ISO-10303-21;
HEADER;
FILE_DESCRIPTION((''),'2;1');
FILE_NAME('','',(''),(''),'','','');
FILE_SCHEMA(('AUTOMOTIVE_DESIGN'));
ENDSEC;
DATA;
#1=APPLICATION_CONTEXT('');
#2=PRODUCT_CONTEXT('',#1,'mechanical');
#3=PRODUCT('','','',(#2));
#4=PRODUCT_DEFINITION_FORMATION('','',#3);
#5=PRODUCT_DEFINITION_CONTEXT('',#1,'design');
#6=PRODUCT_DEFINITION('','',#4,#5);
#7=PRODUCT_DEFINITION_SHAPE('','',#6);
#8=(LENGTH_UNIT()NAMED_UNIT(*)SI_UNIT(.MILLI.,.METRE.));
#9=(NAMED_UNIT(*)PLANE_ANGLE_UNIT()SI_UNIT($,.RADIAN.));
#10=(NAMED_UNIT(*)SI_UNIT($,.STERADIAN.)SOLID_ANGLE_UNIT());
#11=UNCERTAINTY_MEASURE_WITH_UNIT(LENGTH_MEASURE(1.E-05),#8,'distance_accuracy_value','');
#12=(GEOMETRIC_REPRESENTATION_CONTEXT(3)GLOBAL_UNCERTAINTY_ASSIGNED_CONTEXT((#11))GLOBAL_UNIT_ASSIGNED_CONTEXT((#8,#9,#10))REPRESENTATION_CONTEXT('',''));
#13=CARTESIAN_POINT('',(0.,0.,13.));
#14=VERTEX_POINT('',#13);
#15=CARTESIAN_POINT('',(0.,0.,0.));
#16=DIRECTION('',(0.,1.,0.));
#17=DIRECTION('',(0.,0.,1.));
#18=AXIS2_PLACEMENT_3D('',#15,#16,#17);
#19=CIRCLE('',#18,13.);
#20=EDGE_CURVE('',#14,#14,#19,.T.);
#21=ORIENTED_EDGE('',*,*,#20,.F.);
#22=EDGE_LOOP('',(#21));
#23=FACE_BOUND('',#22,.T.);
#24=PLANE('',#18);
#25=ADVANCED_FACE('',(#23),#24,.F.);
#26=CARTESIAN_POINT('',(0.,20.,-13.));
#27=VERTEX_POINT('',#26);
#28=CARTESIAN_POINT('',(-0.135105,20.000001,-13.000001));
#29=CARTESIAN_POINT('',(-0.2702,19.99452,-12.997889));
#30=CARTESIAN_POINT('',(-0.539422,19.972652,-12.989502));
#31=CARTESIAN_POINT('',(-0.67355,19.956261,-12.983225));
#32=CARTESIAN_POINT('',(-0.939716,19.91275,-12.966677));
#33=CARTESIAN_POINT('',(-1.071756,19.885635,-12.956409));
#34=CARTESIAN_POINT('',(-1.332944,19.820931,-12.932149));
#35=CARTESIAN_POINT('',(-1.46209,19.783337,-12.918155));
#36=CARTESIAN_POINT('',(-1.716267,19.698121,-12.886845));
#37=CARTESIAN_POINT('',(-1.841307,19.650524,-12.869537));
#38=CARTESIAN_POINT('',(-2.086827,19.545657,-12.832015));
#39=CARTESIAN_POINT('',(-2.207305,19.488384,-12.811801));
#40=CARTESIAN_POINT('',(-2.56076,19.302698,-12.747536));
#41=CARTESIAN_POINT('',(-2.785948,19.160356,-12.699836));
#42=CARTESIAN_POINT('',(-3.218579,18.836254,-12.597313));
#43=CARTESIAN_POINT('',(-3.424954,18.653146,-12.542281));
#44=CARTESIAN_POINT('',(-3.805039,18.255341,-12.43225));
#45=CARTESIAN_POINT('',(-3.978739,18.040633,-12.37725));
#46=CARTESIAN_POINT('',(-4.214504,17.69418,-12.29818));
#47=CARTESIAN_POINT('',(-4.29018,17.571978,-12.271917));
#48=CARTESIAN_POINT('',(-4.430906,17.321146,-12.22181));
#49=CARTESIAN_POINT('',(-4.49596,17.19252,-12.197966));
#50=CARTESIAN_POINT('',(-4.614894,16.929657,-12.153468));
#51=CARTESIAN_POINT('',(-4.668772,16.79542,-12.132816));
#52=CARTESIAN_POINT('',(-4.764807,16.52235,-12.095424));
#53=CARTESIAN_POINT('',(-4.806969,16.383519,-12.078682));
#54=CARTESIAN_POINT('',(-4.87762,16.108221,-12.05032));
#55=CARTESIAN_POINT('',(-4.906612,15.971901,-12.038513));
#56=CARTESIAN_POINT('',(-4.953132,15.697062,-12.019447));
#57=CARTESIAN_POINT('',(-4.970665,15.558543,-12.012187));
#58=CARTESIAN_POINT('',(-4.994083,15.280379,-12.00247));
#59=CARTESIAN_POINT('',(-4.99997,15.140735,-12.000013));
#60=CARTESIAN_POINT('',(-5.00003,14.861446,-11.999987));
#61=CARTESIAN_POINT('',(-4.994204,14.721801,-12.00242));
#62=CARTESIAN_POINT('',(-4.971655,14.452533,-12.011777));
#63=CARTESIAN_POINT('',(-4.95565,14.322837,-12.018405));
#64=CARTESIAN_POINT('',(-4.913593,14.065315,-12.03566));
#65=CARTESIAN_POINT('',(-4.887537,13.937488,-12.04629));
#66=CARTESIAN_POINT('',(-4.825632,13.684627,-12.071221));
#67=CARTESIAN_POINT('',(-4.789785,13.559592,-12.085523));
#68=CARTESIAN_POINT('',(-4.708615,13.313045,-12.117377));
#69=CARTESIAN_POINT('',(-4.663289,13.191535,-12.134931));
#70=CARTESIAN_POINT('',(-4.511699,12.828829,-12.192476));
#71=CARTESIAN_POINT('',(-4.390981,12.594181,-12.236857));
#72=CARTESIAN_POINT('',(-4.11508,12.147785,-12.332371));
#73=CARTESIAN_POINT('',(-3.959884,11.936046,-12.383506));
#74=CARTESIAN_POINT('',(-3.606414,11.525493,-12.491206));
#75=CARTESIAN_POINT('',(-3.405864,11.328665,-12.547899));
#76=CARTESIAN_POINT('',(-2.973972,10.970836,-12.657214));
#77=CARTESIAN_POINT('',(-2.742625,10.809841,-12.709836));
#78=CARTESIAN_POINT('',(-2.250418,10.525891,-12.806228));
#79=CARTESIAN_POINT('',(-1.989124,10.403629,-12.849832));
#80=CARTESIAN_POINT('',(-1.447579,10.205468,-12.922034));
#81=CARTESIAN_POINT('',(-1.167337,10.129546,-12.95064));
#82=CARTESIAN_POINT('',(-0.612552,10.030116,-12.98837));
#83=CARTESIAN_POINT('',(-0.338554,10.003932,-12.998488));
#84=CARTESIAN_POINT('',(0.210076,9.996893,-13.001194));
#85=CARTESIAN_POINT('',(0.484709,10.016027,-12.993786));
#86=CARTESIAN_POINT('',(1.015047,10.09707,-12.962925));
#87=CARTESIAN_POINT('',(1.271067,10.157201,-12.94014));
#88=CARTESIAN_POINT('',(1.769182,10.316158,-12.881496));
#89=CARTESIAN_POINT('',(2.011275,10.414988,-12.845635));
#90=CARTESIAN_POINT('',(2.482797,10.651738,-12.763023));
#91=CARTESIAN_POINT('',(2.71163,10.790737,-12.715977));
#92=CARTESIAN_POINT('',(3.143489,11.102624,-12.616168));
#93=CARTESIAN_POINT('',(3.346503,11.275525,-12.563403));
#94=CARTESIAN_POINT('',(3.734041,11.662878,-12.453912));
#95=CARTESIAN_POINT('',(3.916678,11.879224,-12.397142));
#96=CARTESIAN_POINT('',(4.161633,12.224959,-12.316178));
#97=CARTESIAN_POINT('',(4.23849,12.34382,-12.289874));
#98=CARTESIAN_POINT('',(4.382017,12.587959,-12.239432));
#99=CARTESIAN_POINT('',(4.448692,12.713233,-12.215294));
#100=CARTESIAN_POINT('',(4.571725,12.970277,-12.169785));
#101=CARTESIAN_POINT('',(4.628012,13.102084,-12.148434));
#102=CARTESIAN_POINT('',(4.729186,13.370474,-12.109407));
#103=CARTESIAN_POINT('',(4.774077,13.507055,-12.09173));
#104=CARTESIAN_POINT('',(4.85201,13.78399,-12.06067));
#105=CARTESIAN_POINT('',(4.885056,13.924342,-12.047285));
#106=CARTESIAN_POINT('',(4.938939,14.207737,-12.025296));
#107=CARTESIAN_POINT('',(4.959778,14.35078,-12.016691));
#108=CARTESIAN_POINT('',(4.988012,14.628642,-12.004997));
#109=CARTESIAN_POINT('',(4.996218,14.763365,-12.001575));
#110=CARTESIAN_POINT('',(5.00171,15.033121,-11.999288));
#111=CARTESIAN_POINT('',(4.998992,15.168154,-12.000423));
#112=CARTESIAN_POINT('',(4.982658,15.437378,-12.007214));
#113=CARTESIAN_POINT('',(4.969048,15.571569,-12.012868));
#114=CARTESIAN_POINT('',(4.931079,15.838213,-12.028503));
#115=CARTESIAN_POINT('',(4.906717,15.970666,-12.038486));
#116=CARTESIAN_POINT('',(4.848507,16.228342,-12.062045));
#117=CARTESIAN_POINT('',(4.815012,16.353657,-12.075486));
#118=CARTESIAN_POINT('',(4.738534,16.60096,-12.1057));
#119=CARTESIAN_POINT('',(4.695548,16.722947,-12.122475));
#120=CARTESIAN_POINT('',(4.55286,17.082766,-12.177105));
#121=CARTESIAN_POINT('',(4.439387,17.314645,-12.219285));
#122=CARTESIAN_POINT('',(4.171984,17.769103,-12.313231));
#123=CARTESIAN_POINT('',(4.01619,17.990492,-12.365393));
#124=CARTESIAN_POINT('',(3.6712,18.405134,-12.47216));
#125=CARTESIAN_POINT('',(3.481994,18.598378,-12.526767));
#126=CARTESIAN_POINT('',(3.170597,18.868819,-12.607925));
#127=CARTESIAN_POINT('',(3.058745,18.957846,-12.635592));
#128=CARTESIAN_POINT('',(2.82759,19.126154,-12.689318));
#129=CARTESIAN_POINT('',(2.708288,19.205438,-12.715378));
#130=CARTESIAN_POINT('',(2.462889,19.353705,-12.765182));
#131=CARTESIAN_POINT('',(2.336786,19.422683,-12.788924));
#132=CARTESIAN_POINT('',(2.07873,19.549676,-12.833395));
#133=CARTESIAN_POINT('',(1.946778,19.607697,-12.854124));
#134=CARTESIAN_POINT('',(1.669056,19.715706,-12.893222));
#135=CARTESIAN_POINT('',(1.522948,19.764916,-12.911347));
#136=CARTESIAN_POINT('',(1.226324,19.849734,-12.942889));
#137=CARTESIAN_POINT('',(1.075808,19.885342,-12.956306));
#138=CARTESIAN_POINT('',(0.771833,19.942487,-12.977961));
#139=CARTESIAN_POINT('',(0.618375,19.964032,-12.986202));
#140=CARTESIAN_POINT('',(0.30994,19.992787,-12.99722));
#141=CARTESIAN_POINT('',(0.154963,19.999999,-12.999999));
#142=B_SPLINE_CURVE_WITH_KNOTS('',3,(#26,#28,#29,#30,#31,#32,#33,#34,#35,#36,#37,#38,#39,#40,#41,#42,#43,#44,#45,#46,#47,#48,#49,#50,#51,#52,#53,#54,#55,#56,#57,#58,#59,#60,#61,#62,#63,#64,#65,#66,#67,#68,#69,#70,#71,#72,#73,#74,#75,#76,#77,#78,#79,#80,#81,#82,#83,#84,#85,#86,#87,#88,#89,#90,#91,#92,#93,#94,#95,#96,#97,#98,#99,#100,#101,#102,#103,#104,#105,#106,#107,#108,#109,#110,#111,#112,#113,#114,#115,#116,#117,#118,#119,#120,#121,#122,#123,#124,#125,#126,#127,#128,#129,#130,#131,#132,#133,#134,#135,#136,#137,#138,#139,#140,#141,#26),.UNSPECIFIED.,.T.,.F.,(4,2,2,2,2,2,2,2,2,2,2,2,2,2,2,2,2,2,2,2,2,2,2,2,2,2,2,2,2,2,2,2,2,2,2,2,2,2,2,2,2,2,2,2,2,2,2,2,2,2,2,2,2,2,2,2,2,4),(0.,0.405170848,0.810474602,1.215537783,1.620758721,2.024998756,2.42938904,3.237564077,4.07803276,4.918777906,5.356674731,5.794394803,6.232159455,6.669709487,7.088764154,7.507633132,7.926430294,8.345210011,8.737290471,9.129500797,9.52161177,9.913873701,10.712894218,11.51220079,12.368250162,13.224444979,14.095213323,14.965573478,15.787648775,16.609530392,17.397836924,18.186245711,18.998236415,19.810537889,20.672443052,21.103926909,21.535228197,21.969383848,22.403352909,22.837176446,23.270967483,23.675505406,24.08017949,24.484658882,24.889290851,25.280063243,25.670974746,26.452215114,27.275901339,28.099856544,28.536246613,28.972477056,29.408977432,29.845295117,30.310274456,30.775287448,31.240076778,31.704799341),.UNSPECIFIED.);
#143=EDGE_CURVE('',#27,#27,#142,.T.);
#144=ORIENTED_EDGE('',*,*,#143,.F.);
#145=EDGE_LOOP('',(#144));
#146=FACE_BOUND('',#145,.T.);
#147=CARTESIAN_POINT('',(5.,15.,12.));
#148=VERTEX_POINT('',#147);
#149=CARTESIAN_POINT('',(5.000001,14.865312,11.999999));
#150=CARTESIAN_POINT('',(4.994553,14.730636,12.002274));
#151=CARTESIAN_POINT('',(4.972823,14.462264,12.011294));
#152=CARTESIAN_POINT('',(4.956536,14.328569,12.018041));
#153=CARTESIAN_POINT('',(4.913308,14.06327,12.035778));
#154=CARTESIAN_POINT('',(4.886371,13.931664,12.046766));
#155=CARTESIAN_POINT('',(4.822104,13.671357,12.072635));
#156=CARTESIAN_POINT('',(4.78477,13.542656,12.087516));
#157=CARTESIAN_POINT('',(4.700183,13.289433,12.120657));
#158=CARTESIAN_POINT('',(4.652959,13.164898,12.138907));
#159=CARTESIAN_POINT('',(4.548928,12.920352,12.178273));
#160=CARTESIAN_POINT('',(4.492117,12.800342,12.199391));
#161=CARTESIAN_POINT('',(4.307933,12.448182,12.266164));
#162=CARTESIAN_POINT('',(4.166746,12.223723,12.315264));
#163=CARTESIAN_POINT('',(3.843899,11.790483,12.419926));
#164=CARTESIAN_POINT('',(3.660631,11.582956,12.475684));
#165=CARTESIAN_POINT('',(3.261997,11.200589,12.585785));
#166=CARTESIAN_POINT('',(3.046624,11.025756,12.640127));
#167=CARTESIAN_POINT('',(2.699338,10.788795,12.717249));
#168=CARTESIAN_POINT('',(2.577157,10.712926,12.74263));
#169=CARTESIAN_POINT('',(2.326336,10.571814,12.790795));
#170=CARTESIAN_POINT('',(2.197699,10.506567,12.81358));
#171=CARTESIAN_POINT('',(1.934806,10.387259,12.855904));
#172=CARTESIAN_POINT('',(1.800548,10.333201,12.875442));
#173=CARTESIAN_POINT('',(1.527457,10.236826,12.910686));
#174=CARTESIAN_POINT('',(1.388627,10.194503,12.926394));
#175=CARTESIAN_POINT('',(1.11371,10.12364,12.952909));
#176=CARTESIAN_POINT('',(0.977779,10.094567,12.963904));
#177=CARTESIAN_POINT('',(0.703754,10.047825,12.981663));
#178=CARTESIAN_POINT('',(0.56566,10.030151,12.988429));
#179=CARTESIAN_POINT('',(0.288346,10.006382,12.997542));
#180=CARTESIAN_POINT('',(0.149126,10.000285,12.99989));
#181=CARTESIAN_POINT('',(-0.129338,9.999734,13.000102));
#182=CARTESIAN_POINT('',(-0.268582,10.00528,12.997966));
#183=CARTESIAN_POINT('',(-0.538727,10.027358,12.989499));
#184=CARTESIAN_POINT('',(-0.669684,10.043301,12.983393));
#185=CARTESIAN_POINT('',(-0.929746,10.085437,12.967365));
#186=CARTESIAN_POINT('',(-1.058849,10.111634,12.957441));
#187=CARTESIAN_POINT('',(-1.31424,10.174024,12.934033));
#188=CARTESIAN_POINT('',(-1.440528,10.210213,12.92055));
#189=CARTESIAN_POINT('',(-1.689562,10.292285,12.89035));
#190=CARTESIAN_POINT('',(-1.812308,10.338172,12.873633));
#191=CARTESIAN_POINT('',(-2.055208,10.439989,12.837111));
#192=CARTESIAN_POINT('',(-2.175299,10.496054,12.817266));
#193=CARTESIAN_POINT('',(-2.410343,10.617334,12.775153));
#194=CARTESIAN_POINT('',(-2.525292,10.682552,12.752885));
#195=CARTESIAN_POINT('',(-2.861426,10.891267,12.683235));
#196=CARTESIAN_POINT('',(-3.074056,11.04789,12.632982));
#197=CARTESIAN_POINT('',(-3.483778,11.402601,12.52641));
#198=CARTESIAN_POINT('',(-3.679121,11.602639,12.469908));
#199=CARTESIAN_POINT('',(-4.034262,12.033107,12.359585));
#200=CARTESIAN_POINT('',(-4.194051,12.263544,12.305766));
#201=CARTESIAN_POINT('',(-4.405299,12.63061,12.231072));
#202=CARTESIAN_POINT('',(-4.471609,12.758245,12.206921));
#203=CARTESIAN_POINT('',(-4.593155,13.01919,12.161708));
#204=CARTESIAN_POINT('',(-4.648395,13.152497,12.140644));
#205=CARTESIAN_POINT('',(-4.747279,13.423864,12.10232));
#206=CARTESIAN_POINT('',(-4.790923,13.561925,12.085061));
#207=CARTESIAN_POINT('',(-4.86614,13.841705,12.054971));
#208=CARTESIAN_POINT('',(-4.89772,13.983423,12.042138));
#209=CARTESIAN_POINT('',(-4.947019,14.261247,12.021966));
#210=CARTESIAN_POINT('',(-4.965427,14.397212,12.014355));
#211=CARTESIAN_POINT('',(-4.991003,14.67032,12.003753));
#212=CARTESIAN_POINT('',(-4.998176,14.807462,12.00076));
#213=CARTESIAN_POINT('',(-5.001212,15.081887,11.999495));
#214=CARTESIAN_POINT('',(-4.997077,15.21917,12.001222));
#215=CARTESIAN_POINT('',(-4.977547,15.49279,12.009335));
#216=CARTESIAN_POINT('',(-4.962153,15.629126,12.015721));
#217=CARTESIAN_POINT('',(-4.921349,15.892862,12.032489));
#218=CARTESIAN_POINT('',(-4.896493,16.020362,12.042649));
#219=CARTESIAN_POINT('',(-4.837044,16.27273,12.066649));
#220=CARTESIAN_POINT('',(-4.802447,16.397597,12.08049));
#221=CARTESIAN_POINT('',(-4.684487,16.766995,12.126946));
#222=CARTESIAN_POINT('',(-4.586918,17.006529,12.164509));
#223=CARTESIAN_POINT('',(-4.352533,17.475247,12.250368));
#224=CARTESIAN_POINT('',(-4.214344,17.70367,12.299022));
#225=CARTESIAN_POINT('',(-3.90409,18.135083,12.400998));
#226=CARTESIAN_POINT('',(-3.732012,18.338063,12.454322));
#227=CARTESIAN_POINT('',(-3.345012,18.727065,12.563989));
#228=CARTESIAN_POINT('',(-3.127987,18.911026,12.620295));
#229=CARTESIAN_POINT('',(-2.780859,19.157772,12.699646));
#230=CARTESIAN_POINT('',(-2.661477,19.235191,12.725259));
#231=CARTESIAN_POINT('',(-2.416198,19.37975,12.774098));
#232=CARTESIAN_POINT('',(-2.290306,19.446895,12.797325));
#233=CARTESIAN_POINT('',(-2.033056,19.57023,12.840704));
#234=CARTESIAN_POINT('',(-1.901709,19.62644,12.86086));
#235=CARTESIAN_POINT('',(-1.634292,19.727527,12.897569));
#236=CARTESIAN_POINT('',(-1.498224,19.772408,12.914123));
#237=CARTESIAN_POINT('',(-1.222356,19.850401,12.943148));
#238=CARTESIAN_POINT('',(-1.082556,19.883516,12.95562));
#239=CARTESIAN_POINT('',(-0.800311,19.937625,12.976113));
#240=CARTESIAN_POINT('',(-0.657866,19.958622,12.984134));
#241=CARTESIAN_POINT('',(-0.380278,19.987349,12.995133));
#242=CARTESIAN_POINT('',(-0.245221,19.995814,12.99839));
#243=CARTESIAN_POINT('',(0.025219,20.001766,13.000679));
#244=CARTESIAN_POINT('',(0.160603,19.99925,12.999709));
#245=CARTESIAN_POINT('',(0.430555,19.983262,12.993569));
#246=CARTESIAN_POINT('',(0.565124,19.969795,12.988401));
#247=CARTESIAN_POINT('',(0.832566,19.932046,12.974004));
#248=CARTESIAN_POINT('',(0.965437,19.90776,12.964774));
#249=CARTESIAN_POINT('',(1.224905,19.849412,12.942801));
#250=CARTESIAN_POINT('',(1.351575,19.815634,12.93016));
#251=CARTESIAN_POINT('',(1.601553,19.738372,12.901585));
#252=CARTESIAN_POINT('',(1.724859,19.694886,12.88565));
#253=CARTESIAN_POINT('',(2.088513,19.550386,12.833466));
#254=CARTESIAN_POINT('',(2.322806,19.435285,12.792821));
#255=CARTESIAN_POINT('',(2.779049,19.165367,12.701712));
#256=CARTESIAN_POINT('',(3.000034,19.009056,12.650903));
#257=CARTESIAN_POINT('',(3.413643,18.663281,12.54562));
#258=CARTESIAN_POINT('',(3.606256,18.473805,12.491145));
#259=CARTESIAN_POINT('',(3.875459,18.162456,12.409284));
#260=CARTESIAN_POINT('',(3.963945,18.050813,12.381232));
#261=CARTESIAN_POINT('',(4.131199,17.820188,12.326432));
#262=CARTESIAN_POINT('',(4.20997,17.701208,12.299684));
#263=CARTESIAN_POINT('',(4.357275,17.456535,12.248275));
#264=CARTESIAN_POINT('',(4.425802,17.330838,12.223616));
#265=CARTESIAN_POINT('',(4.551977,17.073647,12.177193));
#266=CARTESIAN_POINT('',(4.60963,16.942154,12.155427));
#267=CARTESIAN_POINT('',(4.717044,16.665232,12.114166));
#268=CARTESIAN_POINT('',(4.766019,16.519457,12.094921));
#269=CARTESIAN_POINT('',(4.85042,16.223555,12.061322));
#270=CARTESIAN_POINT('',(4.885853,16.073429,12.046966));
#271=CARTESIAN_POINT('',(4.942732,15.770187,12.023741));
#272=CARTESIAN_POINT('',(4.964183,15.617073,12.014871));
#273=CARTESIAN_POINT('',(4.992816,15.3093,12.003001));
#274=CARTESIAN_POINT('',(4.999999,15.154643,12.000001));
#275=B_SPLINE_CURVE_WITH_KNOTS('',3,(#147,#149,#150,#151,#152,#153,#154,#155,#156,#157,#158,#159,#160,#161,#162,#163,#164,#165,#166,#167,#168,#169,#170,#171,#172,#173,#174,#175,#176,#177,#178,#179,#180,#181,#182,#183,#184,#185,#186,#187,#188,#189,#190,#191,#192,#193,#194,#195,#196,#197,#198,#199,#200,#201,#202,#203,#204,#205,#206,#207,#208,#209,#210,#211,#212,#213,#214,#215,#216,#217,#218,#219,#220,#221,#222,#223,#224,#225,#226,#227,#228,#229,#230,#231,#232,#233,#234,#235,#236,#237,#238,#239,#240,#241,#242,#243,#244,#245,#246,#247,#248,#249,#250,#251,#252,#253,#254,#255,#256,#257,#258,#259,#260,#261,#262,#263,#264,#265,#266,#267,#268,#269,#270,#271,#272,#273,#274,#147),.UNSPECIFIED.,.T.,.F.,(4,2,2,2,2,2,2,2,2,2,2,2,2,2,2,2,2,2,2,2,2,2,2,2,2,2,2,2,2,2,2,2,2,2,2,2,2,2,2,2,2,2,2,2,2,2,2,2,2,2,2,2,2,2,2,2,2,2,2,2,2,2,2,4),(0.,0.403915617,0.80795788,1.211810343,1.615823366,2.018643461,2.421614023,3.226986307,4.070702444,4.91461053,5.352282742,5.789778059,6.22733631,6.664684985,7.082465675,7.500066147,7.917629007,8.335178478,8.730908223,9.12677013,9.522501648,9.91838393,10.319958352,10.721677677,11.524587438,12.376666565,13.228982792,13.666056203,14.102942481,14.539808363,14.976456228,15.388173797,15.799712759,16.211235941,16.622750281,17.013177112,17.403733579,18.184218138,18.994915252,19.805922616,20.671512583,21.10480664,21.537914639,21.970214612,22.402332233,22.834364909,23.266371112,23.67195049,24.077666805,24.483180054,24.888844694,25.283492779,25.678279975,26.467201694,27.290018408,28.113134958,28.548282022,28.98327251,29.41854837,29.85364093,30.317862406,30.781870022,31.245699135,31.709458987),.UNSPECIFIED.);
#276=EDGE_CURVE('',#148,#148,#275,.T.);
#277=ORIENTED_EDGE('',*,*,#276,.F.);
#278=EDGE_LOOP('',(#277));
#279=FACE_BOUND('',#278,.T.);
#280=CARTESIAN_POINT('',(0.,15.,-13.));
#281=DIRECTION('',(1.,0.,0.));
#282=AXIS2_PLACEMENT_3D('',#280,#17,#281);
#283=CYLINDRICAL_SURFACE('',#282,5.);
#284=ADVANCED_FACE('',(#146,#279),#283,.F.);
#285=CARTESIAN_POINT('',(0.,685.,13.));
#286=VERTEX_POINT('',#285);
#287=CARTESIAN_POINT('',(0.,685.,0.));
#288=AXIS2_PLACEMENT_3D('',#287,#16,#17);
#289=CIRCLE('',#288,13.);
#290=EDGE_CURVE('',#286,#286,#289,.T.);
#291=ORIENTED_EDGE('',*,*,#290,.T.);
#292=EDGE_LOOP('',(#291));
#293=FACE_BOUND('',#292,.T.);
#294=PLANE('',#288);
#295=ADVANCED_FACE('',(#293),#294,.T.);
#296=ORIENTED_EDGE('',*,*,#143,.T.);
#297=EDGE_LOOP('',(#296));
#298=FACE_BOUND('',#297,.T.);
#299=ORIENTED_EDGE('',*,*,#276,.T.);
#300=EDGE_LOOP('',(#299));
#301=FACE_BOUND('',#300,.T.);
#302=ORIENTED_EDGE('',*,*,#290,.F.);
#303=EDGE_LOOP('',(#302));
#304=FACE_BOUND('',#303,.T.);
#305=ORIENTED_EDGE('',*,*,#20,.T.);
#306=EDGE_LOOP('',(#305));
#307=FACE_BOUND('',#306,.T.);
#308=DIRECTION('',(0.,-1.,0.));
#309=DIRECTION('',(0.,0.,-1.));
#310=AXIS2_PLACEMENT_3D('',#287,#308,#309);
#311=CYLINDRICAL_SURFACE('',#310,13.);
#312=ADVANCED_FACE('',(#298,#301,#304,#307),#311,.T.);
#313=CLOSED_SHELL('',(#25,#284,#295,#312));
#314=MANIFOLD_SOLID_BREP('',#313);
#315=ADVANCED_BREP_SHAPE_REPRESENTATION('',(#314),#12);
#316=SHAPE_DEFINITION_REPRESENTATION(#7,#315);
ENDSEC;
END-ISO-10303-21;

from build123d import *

# Parameters (mm, degrees)
SKETCH1_R               = 13
BOSS_EXTRUDE1_DEPTH     = 685
CUT_EXTRUDE1_DEPTH      = 686.246670915
CUT_EXTRUDE1_DEPTH_BACK = 686.246670915
SKETCH2_R               = 5


with BuildPart() as part:
    # Sketch1 → Boss-Extrude1 (new body)
    with BuildSketch(Plane(origin=(0, 0, 0), x_dir=(1, 0, 0), z_dir=(0, 1, 0))):
        with Locations(Location((0, 0, 0), (0, 0, 270))):
            Circle(SKETCH1_R)
    extrude(amount=BOSS_EXTRUDE1_DEPTH)

    # Sketch2 → Cut-Extrude1 (cut, two sides: drawn at the far end of the back side and taken through both)
    with BuildSketch(Plane.XY.offset(-CUT_EXTRUDE1_DEPTH_BACK)):
        with Locations(Location((0, 15, 0), (0, 0, 90))):
            Circle(SKETCH2_R)
    extrude(amount=CUT_EXTRUDE1_DEPTH + CUT_EXTRUDE1_DEPTH_BACK, mode=Mode.SUBTRACT)


solid = part.part
